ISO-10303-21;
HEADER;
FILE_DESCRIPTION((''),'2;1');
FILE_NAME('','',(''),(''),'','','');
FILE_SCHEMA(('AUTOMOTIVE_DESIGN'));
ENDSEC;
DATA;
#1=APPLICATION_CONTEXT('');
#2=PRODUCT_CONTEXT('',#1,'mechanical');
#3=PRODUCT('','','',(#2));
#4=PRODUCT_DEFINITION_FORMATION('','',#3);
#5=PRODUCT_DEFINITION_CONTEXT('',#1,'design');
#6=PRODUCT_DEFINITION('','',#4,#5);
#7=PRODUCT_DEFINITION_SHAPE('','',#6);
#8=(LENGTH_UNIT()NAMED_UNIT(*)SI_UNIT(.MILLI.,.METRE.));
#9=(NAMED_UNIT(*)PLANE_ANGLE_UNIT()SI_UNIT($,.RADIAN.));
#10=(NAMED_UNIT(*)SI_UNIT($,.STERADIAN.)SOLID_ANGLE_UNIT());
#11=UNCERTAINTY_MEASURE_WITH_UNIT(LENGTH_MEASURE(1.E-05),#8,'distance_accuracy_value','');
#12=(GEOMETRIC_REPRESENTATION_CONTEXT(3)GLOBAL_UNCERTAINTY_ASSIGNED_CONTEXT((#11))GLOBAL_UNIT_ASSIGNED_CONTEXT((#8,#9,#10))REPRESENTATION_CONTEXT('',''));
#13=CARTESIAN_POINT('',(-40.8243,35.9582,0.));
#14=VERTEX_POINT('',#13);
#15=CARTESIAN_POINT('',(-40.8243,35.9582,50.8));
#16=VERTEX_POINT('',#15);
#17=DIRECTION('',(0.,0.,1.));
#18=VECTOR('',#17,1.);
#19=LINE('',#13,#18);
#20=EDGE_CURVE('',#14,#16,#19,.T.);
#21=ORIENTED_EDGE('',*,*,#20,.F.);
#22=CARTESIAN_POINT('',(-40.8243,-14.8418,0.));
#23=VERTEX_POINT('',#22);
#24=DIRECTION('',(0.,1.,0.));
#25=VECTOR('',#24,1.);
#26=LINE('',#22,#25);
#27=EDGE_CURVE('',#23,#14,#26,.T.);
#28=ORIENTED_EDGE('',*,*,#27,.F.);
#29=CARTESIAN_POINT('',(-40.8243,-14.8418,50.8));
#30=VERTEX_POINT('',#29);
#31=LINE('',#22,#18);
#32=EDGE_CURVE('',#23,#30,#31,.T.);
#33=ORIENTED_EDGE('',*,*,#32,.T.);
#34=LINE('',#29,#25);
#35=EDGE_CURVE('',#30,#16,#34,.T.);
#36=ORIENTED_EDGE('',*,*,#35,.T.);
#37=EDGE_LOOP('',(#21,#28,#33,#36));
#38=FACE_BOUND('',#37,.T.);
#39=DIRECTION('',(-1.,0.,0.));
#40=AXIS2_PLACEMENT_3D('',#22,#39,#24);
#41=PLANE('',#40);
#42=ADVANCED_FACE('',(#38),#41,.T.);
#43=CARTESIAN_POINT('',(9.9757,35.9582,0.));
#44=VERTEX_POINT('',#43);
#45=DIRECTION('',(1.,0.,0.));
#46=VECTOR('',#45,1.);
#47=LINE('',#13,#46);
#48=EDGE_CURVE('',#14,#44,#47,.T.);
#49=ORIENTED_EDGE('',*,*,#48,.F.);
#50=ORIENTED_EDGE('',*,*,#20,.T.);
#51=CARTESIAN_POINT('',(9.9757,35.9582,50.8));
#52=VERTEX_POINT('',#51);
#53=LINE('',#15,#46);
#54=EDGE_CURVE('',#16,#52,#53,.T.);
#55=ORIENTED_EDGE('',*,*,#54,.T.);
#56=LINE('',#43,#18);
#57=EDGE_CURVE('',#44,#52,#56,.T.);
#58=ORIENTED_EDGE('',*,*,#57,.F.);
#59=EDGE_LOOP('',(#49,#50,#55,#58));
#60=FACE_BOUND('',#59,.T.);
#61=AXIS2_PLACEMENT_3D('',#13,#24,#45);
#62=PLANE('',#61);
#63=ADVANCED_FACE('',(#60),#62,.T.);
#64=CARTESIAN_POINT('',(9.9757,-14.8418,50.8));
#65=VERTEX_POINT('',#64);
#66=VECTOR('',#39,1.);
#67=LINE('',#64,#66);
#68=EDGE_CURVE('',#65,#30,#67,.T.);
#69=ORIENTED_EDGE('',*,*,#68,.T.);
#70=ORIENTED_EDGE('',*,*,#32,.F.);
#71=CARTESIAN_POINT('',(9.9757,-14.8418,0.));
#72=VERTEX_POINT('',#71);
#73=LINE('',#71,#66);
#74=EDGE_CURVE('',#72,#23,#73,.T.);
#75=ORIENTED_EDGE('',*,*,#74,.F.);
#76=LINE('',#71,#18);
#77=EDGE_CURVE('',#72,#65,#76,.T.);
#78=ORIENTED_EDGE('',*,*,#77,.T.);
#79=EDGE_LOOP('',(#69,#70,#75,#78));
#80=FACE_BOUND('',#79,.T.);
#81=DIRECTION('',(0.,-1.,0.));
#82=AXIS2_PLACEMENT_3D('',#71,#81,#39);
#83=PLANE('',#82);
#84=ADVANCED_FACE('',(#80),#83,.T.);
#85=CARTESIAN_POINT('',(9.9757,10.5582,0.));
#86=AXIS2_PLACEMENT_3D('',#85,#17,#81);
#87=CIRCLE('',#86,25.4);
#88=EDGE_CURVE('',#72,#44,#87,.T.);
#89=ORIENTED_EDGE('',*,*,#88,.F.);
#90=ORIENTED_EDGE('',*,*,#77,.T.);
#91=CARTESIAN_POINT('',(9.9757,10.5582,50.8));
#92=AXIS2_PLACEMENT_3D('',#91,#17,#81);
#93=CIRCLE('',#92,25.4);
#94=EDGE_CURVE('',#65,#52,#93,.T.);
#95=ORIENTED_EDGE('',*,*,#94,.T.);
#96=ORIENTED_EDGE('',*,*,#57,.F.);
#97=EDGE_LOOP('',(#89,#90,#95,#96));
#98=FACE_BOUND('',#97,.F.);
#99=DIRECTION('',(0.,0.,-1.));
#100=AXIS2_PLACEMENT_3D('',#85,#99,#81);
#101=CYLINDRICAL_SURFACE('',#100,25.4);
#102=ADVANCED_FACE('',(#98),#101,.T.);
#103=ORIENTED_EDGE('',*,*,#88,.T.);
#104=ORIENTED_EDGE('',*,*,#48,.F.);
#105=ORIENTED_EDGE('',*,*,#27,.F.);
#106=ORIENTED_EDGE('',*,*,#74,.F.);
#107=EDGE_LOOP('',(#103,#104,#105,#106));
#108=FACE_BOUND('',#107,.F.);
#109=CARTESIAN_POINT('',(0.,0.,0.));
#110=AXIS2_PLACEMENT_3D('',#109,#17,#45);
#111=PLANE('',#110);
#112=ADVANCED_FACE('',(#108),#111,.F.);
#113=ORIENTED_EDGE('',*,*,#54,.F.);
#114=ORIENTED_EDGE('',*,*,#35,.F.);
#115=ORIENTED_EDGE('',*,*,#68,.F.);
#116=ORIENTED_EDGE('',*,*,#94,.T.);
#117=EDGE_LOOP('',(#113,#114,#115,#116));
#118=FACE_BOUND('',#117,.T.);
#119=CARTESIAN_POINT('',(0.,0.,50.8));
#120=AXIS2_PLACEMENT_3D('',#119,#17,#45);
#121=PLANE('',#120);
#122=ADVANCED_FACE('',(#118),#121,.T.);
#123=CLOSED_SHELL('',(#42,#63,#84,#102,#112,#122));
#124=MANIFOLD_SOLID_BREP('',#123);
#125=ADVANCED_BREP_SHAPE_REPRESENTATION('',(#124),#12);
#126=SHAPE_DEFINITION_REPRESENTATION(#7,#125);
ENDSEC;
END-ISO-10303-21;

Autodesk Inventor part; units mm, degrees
ref_plane "YZ Plane" through (0, 0, 0) normal (1, 0, 0) x (0, 1, 0)
ref_plane "XZ Plane" through (0, 0, 0) normal (0, 1, 0) x (-1, 0, 0)
ref_plane "XY Plane" through (0, 0, 0) normal (0, 0, 1) x (1, 0, 0)
sketch "Sketch1" plane through (0, 0, 0) normal (0, 0, 1) x (1, 0, 0)
  line L0 (-40.8243, 35.9582) -> (9.9757, 35.9582)
  arc A0 (9.9757, -14.8418) -> (9.9757, 35.9582) centre (9.9757, 10.5582) ccw
  line L1 (9.9757, -14.8418) -> (-40.8243, -14.8418)
  line L2 (-40.8243, -14.8418) -> (-40.8243, 35.9582)
  dimension "d0" = 25.4
  dimension "d1" = 50.8
extrude "Extrusion1" add sketch "Sketch1" along normal blind 50.8
properties part number "split"
